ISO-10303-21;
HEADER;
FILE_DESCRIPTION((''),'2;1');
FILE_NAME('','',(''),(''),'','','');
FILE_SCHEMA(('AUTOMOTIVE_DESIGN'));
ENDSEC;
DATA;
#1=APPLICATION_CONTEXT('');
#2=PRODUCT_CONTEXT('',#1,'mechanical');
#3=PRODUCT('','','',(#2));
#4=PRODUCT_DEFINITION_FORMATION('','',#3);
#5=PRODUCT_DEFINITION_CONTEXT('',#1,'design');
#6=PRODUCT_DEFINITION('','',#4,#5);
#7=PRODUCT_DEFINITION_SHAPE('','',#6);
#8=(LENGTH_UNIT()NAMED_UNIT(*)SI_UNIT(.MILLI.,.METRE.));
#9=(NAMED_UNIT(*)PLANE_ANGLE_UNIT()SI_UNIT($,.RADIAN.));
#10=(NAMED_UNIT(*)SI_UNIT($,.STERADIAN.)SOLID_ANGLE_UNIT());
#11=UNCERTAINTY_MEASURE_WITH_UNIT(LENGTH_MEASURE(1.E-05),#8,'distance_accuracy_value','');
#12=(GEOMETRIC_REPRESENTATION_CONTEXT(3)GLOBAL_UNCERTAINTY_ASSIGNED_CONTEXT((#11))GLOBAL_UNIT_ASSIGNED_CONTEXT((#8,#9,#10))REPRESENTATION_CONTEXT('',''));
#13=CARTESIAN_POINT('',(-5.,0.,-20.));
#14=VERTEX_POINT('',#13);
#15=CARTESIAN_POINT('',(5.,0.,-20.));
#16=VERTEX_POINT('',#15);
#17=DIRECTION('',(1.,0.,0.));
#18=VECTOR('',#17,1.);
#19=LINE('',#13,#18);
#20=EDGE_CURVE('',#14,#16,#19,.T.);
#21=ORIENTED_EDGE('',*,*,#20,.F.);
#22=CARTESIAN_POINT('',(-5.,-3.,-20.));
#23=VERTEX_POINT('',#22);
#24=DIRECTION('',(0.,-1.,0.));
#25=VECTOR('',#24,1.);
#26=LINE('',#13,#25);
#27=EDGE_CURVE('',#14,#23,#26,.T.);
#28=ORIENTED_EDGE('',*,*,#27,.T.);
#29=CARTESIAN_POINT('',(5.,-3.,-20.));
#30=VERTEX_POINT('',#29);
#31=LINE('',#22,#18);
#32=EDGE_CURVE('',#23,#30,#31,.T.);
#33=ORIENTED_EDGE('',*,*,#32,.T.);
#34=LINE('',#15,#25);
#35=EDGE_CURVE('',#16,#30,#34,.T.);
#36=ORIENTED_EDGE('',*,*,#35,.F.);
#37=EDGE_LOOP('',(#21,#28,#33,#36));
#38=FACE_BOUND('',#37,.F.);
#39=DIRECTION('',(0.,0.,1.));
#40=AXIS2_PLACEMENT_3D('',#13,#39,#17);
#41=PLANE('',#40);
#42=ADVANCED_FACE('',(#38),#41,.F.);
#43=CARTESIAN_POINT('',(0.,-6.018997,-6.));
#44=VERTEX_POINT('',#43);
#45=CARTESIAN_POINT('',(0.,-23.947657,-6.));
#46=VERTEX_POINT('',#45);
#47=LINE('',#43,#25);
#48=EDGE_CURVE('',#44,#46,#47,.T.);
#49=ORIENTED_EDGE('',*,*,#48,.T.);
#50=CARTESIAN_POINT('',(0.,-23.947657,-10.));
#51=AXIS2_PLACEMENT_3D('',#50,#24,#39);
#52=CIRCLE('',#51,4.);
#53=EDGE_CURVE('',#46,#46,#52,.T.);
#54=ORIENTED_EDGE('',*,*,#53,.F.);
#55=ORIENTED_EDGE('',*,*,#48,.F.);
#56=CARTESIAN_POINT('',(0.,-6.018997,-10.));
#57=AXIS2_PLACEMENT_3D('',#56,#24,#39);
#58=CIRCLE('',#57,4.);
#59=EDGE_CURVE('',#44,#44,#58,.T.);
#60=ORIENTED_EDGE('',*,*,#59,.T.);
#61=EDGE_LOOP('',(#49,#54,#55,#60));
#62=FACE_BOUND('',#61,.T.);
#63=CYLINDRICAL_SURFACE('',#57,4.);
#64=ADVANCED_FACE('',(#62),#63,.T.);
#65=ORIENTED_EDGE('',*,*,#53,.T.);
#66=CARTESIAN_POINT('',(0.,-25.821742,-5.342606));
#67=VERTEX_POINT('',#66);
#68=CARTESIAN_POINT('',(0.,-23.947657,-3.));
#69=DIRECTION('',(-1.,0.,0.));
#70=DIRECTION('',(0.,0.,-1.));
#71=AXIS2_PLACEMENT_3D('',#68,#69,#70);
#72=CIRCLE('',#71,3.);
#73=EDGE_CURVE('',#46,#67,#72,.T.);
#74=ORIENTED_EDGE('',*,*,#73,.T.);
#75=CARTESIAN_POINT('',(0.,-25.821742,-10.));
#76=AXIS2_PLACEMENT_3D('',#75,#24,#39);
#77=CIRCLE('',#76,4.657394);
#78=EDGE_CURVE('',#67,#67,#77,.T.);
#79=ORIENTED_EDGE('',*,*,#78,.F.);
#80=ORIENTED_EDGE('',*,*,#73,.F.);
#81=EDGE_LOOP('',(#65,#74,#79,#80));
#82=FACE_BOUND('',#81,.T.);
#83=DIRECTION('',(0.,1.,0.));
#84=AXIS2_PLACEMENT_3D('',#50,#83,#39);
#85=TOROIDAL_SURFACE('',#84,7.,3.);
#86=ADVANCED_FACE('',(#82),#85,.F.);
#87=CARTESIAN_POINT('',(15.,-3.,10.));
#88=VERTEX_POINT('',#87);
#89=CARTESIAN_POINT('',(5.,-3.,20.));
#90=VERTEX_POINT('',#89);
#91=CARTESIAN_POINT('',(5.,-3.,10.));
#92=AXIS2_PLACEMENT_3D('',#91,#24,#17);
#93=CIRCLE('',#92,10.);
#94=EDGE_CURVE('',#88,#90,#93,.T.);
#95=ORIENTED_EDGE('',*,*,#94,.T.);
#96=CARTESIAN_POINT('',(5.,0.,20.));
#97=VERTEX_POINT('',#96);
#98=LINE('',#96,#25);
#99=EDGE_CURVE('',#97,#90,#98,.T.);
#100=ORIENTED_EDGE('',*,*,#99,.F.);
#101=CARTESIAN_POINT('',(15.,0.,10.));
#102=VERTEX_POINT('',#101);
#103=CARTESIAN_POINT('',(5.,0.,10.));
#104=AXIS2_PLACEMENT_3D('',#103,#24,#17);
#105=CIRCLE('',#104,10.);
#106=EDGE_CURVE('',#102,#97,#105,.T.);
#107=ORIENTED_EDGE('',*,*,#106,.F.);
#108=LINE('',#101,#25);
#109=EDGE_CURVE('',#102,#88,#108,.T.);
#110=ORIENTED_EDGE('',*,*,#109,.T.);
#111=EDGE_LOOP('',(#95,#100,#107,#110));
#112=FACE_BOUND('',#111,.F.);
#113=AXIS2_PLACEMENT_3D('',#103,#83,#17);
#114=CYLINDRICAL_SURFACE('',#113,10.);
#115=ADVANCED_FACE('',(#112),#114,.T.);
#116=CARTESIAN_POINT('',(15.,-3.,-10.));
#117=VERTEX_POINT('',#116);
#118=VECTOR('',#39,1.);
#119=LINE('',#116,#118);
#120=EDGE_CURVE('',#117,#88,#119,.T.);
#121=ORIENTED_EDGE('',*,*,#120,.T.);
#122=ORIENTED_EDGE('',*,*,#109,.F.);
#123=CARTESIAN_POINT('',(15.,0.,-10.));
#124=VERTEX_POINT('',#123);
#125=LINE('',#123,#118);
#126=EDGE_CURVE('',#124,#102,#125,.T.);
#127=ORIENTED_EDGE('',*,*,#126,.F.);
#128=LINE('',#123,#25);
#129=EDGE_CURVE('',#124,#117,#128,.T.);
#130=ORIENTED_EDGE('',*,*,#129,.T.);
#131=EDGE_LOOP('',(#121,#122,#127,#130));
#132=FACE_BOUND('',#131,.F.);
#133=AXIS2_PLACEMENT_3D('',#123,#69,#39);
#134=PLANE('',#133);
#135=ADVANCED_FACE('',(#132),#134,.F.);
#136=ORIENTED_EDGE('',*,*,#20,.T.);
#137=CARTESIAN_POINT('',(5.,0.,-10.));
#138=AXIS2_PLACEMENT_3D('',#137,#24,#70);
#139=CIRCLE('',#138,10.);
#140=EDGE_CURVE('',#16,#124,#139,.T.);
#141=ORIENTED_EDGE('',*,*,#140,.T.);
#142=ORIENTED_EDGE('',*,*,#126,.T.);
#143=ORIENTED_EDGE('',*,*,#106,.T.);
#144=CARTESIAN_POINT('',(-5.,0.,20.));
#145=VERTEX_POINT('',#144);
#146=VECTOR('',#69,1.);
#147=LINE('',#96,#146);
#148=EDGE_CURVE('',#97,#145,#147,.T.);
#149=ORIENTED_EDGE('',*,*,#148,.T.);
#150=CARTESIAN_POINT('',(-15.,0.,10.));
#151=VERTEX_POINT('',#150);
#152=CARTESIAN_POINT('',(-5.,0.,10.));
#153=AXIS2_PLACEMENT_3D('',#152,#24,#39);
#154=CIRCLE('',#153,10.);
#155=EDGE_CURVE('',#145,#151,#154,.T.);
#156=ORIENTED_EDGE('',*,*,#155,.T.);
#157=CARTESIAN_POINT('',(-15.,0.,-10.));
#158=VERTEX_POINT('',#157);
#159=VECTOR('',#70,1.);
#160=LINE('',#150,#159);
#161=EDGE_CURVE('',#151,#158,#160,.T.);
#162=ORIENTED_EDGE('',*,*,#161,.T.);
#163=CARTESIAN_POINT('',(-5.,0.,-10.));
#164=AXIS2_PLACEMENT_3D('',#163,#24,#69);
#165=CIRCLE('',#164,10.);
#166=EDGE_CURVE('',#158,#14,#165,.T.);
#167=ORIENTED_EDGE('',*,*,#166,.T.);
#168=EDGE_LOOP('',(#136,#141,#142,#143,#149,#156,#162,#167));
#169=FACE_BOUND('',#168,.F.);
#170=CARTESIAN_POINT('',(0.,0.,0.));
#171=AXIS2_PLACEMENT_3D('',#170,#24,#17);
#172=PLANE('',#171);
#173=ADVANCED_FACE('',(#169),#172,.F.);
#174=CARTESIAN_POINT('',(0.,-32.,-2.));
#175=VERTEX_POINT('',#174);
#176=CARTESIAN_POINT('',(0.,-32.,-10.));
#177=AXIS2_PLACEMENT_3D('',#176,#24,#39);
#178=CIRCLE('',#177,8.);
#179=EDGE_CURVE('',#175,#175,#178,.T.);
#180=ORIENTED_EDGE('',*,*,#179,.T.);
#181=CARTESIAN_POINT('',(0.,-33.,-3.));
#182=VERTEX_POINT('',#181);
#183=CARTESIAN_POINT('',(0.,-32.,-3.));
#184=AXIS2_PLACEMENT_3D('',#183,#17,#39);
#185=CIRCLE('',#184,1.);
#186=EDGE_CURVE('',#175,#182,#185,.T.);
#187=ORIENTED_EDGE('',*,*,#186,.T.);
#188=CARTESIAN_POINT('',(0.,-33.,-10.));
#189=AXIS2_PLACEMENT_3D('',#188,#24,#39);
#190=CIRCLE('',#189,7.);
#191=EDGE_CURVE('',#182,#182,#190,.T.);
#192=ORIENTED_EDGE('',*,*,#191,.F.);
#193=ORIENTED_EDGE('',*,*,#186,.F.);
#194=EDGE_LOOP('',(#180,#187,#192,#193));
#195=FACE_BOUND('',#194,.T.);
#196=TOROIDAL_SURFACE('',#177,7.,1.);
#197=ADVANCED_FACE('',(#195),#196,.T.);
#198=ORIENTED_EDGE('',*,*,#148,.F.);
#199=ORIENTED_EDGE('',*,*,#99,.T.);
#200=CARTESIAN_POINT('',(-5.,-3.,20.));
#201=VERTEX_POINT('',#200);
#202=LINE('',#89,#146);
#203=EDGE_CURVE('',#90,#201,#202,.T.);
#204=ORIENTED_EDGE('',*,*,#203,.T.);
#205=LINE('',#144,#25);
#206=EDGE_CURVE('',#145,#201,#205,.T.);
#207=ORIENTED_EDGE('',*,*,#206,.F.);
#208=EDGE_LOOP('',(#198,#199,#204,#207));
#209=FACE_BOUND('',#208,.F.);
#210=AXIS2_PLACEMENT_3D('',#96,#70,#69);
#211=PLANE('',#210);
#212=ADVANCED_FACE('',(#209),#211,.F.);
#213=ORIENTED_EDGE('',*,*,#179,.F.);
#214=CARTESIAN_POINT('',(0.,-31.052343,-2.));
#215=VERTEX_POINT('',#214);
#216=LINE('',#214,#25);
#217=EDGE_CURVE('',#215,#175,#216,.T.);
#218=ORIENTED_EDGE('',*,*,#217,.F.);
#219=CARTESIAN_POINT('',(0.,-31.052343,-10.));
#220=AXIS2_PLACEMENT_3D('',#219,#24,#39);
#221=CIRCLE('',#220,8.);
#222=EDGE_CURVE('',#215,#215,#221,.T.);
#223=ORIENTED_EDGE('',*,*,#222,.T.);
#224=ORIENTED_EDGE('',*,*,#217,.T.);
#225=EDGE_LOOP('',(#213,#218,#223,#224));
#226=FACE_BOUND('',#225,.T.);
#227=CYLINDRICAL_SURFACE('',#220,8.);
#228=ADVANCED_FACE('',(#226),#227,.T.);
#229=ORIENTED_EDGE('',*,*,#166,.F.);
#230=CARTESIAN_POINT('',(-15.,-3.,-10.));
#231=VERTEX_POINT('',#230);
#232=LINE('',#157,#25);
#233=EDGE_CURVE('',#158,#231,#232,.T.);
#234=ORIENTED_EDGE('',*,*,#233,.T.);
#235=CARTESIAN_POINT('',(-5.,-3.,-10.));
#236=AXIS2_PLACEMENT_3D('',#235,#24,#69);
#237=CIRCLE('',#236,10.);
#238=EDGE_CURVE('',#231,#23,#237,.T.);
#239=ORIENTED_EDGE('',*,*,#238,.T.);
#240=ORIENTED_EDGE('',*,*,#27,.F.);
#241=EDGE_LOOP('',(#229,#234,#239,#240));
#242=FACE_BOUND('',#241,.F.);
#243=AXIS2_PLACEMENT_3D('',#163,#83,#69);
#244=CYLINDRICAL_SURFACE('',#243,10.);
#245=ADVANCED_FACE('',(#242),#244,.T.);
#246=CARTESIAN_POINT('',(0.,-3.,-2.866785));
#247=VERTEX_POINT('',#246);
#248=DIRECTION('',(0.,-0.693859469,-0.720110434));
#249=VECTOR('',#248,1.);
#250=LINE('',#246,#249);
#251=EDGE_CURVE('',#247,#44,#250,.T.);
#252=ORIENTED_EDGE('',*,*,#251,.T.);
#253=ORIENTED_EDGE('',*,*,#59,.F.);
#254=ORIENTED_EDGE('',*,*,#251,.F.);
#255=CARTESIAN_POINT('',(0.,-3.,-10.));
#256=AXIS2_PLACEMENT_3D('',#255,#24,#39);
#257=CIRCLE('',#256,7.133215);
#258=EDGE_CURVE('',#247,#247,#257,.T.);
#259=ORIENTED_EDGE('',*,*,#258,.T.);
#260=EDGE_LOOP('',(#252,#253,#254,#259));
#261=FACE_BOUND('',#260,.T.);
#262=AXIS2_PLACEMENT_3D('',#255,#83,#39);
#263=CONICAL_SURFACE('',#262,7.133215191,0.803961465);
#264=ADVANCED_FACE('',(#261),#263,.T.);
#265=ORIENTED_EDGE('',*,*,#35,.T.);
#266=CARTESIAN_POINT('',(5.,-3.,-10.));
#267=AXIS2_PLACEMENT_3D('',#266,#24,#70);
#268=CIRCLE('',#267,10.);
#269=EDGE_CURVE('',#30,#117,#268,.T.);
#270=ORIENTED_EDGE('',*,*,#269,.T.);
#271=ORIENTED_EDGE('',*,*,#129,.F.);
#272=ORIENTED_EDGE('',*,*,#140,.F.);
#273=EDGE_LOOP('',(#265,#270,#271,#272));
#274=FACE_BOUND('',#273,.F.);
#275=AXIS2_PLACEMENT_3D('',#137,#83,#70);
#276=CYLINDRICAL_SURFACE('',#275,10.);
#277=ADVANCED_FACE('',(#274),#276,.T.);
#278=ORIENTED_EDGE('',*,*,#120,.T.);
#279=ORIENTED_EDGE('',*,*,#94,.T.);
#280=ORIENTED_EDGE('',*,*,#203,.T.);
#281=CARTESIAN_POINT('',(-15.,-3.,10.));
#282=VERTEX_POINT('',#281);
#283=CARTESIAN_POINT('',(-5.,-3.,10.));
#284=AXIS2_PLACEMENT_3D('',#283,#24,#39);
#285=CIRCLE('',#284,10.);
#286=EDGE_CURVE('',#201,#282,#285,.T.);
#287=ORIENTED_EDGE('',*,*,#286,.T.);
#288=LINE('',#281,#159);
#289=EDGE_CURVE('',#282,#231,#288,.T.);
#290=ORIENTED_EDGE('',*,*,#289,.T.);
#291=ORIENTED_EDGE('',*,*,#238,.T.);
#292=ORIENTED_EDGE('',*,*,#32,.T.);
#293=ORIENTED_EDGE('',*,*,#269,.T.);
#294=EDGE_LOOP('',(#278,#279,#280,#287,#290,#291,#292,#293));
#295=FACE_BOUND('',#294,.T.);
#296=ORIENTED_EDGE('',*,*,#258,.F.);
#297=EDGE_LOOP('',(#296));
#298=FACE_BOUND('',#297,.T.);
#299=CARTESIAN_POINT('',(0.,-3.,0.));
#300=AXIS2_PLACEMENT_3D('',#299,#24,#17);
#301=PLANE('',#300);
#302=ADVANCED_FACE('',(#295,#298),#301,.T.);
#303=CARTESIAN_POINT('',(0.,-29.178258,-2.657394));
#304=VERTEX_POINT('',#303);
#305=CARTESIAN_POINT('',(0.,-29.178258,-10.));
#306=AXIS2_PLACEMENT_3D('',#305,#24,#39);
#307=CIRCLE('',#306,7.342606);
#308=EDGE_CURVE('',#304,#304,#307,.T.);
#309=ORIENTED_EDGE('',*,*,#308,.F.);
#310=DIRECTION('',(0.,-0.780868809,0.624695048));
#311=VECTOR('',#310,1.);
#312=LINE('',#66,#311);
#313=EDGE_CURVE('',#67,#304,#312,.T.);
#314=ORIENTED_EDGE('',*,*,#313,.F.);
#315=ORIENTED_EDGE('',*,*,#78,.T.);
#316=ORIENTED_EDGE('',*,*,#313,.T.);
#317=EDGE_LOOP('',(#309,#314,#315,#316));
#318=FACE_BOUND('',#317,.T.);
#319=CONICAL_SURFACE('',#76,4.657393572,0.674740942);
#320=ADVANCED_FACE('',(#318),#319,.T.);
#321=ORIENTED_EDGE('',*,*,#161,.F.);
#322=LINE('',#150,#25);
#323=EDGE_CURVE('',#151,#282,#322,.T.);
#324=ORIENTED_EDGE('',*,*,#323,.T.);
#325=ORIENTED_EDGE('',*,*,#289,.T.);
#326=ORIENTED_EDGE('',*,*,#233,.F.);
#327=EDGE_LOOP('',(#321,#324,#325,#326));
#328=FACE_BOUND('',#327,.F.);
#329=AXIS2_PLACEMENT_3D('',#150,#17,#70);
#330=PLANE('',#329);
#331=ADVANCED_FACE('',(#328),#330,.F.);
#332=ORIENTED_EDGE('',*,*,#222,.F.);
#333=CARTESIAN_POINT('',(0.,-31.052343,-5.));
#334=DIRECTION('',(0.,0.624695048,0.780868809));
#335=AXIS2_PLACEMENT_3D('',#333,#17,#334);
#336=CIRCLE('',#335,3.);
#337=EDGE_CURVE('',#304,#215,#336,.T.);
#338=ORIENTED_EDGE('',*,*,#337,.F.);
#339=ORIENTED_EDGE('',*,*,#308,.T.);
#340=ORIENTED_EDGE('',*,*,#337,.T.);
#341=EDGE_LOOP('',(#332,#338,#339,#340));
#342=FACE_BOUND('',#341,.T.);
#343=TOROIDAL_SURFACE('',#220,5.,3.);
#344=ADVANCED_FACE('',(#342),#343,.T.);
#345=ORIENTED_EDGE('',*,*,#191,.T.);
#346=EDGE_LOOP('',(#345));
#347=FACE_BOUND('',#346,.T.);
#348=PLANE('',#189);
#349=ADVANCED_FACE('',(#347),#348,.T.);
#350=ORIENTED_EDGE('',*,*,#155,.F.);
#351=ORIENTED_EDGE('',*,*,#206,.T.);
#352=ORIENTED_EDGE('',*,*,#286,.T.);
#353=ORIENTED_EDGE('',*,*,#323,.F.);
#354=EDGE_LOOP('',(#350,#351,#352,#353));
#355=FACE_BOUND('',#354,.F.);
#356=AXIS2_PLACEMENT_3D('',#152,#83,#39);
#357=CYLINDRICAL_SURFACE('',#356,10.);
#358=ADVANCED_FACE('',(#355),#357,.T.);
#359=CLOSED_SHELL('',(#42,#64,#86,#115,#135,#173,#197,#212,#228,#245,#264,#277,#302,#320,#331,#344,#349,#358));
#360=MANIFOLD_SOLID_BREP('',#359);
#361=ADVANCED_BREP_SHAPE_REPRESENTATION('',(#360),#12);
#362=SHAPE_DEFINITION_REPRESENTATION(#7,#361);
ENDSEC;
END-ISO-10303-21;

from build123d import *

# Parameters (mm, degrees)
F1_DEPTH = 3


with BuildPart() as f1:
    # F0 (on Front) → F1 (new body)
    with BuildSketch(Plane.XZ):
        with BuildLine():
            Line((5, 20), (-5, 20))
            ThreePointArc((-5, 20), (-12.0710678119, 17.0710678119), (-15, 10))
            Line((-15, 10), (-15, -10))
            ThreePointArc((-15, -10), (-12.0710678119, -17.0710678119), (-5, -20))
            Line((-5, -20), (5, -20))
            ThreePointArc((5, -20), (12.0710678119, -17.0710678119), (15, -10))
            Line((15, -10), (15, 10))
            ThreePointArc((15, 10), (12.0710678119, 17.0710678119), (5, 20))
        make_face()
    extrude(amount=F1_DEPTH)

    # F4 (on offset) → F5 (revolve)
    with BuildSketch(Plane.YZ):
        with BuildLine():
            Line((-33, -10), (-3, -10))
            Line((-3, -10), (-3, -6))
            Line((-3, -6), (-3, -2.8667848092))
            Line((-3, -2.8667848092), (-6.0189967044, -6))
            Line((-6.0189967044, -6), (-23.9476568219, -6))
            ThreePointArc((-23.9476568219, -6), (-24.9406776462, -5.8308849575), (-25.8217419646, -5.3426064283))
            Line((-25.8217419646, -5.3426064283), (-29.1782580354, -2.6573935717))
            ThreePointArc((-29.1782580354, -2.6573935717), (-30.0593223538, -2.1691150425), (-31.0523431781, -2))
            Line((-31.0523431781, -2), (-32, -2))
            ThreePointArc((-32, -2), (-32.7071067812, -2.2928932188), (-33, -3))
            Line((-33, -3), (-33, -10))
        make_face()
    revolve(axis=Axis((0, -24.5992667091, -10), (0, -1, 0)))


solid = f1.part
